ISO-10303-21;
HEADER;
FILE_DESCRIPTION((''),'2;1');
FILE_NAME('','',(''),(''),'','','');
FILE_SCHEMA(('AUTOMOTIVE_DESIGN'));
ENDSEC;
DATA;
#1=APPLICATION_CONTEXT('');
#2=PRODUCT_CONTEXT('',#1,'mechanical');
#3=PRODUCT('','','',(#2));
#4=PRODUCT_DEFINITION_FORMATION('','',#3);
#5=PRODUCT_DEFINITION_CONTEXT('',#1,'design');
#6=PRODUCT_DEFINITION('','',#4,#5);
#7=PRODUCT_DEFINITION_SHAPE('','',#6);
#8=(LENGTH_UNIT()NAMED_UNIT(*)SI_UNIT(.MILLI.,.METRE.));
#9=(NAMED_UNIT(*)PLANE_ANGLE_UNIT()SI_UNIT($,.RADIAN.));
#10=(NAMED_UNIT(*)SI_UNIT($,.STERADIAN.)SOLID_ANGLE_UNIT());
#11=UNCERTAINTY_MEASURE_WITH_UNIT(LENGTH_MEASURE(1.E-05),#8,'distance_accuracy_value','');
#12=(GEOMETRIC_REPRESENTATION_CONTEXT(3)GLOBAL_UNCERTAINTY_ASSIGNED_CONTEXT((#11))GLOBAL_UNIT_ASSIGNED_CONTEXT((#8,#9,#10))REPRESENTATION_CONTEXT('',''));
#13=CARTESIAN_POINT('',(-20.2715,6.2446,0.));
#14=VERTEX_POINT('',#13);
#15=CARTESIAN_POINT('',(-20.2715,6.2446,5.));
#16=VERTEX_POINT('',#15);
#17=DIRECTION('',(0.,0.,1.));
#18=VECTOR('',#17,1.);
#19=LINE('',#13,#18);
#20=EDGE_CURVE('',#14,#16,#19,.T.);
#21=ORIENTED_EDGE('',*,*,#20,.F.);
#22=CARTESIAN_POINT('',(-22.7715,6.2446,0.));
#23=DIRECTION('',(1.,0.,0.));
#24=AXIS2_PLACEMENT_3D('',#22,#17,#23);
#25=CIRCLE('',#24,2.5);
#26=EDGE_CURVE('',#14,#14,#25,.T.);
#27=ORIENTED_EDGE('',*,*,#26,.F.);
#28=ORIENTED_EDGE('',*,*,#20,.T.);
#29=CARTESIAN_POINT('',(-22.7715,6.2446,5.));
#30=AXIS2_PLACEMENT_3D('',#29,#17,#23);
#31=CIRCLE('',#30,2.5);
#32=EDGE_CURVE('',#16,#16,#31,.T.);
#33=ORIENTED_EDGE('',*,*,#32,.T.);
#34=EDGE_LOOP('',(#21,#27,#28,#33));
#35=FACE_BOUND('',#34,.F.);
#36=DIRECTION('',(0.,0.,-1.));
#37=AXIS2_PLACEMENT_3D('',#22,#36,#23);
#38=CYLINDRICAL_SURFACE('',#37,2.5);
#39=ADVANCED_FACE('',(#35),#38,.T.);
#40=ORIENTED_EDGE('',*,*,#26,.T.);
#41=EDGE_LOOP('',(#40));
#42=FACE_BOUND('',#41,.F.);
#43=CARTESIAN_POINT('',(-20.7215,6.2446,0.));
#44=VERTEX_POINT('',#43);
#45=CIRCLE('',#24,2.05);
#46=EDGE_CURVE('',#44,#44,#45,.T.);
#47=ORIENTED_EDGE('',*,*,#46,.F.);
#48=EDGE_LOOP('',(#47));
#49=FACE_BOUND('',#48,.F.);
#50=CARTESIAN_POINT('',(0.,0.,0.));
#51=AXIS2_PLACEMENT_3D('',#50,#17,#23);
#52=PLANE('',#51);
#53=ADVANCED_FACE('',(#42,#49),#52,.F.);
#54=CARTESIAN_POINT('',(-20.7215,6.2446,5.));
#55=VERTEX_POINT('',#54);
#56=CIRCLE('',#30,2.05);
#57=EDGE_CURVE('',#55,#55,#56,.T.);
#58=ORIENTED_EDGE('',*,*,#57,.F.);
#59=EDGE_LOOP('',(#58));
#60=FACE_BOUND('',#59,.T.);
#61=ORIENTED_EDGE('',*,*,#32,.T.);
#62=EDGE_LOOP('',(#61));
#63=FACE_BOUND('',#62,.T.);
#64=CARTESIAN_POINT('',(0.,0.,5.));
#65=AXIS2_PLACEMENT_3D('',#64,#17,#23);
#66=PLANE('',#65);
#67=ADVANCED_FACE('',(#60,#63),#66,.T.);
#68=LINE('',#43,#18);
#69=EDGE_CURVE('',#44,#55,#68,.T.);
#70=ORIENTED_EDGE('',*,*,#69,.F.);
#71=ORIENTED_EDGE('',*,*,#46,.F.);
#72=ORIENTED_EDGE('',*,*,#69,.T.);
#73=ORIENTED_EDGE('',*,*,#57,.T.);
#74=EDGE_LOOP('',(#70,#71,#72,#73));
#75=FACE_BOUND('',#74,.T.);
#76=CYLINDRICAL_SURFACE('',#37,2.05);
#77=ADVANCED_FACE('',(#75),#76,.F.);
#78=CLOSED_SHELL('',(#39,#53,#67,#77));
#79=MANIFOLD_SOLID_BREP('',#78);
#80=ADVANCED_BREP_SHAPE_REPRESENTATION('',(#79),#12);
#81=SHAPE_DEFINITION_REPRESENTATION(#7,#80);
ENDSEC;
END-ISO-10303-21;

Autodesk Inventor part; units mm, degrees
ref_plane "YZ Plane" through (0, 0, 0) normal (1, 0, 0) x (0, 1, 0)
ref_plane "XZ Plane" through (0, 0, 0) normal (0, 1, 0) x (-1, 0, 0)
ref_plane "XY Plane" through (0, 0, 0) normal (0, 0, 1) x (1, 0, 0)
sketch "Skizze1" plane through (0, 0, 0) normal (0, 0, 1) x (1, 0, 0)
  circle A0 centre (-22.7715, 6.2446) radius 2.05
  circle A1 centre (-22.7715, 6.2446) radius 2.5
  point P0 (0, 0)
  dimension "d0" = 4.1
  dimension "d1" = 5
extrude "Extrusion1" add sketch "Skizze1" along normal blind 5
properties part number "Halterung"
